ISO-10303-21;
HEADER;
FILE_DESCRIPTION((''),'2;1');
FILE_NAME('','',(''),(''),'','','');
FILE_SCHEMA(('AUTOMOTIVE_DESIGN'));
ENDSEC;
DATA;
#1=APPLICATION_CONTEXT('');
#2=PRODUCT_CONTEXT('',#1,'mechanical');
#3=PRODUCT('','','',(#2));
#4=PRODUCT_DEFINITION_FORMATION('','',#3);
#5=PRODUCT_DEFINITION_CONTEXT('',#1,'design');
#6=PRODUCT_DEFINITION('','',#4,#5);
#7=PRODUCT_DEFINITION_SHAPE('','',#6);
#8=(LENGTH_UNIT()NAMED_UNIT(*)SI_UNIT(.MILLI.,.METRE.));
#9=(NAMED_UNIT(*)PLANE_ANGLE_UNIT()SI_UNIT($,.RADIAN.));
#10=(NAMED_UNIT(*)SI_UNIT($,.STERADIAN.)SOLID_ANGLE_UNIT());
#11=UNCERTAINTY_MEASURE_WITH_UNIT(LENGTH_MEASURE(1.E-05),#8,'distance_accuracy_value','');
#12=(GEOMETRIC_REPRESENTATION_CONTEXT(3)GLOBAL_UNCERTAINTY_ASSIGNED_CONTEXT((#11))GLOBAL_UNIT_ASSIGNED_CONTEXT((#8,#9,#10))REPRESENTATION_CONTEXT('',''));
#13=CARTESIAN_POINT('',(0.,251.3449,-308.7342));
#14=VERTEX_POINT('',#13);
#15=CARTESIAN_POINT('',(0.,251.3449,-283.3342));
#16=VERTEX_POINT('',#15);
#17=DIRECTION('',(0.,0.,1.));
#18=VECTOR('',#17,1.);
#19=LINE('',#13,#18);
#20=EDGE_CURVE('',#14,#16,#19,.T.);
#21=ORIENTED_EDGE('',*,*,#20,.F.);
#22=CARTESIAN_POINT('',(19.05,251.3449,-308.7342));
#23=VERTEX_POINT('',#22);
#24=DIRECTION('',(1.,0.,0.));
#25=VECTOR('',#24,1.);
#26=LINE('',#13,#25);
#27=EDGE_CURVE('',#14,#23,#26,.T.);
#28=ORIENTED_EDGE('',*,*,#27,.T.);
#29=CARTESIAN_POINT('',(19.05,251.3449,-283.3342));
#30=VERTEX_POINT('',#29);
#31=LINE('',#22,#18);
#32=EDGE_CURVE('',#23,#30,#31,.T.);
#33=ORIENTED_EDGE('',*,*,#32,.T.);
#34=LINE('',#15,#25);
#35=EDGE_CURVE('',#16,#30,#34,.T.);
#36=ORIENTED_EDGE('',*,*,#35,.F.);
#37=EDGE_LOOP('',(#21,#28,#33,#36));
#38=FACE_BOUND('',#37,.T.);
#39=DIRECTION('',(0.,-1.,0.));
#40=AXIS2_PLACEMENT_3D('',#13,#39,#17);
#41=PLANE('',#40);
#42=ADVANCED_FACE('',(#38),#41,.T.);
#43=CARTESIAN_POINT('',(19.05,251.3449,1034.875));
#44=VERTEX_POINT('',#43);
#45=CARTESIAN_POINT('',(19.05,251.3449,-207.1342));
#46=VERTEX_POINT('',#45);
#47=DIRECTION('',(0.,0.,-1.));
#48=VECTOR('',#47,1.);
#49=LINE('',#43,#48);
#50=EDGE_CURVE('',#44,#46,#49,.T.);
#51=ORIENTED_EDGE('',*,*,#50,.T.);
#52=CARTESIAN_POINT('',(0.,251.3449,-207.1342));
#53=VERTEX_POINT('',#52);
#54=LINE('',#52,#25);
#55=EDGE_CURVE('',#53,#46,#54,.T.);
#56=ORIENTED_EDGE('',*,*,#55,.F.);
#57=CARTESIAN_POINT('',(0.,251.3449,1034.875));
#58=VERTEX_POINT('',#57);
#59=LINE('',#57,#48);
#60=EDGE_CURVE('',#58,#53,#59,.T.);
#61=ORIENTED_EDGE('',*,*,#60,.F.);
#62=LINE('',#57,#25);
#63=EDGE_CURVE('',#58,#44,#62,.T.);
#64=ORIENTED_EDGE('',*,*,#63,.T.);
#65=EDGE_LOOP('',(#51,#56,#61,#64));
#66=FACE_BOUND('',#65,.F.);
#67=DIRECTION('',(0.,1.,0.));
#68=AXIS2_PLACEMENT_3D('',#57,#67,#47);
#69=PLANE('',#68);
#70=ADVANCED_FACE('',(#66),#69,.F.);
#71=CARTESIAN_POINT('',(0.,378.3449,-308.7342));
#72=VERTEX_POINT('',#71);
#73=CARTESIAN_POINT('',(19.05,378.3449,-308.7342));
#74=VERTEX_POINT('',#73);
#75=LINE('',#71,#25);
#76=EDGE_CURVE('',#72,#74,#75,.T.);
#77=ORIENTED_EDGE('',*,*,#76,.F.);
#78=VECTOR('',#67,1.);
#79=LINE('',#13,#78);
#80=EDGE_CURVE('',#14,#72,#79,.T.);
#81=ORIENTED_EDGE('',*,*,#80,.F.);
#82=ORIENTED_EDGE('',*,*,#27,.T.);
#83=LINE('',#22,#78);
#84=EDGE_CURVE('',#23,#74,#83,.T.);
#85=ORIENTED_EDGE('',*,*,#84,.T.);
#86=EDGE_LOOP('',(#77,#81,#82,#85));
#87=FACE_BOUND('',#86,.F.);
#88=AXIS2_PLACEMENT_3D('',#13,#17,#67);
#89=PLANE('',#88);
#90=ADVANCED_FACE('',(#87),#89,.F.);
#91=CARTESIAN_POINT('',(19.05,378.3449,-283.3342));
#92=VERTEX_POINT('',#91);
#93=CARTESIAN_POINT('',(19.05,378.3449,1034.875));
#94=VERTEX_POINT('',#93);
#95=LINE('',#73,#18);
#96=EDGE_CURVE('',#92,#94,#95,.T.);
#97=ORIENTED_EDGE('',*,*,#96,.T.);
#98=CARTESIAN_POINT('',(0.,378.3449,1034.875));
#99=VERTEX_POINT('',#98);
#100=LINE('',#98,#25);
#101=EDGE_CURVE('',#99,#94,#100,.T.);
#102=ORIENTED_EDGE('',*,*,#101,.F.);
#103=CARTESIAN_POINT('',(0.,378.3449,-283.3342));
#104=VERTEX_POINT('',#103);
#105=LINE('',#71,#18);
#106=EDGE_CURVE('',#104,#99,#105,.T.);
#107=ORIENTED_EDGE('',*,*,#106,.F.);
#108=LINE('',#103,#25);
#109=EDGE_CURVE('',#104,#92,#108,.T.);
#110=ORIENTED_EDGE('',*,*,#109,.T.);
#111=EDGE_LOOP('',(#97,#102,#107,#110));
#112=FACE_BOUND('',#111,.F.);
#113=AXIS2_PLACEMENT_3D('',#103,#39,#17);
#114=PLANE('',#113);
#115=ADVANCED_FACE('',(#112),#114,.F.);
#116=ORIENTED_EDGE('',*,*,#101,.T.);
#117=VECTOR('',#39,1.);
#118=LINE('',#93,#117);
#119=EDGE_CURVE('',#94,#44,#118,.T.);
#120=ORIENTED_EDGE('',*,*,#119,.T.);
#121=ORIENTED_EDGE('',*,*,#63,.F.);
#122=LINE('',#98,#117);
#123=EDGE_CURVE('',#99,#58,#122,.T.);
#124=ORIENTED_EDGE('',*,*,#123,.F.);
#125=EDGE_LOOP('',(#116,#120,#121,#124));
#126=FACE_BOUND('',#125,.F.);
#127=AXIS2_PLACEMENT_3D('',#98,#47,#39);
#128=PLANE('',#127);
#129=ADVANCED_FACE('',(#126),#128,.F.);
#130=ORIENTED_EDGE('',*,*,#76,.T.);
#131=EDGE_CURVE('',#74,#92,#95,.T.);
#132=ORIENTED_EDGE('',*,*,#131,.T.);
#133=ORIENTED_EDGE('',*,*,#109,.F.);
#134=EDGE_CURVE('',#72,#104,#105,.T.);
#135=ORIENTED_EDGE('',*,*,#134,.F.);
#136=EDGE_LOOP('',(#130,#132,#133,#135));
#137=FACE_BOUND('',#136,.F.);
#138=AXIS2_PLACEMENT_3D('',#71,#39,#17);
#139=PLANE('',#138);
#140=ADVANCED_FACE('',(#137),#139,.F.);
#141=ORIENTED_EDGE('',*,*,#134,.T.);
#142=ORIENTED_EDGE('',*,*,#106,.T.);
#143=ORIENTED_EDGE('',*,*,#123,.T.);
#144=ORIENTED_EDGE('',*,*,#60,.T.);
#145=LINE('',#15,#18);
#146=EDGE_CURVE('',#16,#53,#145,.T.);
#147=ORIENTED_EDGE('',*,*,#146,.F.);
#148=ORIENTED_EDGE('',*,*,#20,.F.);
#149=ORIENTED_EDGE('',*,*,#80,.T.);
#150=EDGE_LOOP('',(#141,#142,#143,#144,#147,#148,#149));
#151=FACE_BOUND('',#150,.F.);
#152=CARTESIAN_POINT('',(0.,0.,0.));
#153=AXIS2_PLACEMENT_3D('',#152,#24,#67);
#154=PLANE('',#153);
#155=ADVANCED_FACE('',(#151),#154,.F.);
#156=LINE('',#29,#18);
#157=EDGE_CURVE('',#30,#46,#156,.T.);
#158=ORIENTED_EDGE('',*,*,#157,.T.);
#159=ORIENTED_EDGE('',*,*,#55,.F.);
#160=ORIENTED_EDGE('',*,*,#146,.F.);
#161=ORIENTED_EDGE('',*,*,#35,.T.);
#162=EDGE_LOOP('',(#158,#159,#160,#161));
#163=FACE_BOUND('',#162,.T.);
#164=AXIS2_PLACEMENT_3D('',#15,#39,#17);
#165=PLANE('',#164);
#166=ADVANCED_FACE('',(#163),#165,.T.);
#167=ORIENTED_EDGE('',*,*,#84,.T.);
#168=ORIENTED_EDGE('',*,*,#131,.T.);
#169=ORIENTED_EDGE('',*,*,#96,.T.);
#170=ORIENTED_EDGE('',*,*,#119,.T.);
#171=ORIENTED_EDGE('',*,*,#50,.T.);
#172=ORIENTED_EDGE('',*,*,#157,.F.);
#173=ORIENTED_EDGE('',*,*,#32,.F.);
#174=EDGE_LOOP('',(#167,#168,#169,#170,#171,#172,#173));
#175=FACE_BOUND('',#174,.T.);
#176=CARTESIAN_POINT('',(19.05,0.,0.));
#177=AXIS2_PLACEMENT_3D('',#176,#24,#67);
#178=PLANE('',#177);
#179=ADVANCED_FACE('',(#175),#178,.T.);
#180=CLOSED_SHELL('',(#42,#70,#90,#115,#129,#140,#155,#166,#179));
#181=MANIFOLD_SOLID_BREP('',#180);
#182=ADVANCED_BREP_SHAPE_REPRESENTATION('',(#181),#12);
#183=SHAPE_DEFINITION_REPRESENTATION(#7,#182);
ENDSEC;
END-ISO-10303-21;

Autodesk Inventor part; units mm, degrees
ref_plane "YZ Plane" through (0, 0, 0) normal (1, 0, 0) x (0, 1, 0)
ref_plane "XZ Plane" through (0, 0, 0) normal (0, 1, 0) x (-1, 0, 0)
ref_plane "XY Plane" through (0, 0, 0) normal (0, 0, 1) x (1, 0, 0)
sketch "Sketch1" plane through (0, 0, 0) normal (1, 0, 0) x (0, 1, 0)
  line L0 (397.3949, -308.7342) -> (378.3449, -308.7342) projected
  line L1 (251.3449, -308.7342) -> (378.3449, -308.7342) projected
  line L2 (378.3449, -308.7342) -> (378.3449, -283.3342) projected
  line L3 (251.3449, -308.7342) -> (251.3449, -283.3342) projected
  line L4 (251.3449, -283.3342) -> (251.3449, -207.1342) projected
  line L5 (251.3449, -308.7342) -> (378.3449, -308.7342)
  line L6 (378.3449, 1034.875) -> (397.3949, 1034.875) projected
  line L7 (378.3449, 1034.875) -> (251.3449, 1034.875)
  line L8 (251.3449, 1034.875) -> (251.3449, -308.7342)
  line L9 (251.3449, -308.7342) -> (378.3449, -308.7342)
  line L10 (378.3449, -308.7342) -> (378.3449, 1034.875)
  point P0 (0, 0)
  point P1 (270.3949, -283.3342)
  point P2 (270.3949, -207.1342)
extrude "Extrusion1" add sketch "Sketch1" along normal blind 19.05
properties part number "wheel mount front"
